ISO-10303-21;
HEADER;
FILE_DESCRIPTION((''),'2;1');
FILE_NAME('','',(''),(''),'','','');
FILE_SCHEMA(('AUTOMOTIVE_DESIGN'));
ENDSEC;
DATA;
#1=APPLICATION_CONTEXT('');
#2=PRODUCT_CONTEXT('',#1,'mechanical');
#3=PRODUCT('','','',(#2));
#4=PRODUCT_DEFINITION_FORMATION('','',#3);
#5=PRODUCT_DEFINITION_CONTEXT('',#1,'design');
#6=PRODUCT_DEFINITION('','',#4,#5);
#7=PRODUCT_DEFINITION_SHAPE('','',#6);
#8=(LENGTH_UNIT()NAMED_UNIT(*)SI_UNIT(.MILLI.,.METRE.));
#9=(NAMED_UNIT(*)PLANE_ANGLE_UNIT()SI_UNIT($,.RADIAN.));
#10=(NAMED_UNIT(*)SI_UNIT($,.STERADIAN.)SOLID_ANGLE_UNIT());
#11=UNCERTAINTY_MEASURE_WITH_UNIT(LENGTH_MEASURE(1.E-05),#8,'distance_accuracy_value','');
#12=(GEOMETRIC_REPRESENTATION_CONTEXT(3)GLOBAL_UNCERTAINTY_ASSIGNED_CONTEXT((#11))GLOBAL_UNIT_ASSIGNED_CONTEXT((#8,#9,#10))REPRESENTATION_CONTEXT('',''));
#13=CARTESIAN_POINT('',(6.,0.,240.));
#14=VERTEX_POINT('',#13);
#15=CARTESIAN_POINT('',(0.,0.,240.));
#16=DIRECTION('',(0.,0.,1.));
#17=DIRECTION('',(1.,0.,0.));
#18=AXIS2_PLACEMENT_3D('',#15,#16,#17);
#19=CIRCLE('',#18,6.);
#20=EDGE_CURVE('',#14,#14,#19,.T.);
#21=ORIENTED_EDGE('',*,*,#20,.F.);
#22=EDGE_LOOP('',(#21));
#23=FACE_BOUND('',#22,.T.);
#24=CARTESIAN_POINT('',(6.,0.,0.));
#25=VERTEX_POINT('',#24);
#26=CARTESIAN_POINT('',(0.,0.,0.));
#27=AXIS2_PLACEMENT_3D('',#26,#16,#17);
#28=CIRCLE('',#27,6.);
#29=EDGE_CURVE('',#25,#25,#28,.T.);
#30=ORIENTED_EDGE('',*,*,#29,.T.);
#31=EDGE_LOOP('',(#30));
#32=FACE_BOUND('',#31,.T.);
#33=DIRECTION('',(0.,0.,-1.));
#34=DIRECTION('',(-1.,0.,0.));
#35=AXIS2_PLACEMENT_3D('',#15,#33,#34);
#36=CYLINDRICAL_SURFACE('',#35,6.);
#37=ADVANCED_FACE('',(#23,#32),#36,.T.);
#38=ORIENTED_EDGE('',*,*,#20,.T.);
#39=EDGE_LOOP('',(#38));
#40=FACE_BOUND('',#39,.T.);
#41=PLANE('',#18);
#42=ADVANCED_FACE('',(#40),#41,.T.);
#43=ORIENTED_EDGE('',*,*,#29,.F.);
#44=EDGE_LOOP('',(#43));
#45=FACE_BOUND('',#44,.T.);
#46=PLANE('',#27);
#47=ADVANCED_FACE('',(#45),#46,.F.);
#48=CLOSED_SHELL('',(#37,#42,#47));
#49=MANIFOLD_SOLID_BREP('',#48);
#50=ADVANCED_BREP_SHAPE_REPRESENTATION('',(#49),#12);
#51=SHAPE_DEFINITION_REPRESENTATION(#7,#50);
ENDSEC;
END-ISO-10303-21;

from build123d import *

# Parameters (mm, degrees)
CROQUIS1_R              = 6
SALIENTE_EXTRUIR1_DEPTH = 240


with BuildPart() as part:
    # Croquis1 → Saliente-Extruir1 (new body)
    with BuildSketch(Plane.XY):
        Circle(CROQUIS1_R)
    extrude(amount=SALIENTE_EXTRUIR1_DEPTH)


solid = part.part
